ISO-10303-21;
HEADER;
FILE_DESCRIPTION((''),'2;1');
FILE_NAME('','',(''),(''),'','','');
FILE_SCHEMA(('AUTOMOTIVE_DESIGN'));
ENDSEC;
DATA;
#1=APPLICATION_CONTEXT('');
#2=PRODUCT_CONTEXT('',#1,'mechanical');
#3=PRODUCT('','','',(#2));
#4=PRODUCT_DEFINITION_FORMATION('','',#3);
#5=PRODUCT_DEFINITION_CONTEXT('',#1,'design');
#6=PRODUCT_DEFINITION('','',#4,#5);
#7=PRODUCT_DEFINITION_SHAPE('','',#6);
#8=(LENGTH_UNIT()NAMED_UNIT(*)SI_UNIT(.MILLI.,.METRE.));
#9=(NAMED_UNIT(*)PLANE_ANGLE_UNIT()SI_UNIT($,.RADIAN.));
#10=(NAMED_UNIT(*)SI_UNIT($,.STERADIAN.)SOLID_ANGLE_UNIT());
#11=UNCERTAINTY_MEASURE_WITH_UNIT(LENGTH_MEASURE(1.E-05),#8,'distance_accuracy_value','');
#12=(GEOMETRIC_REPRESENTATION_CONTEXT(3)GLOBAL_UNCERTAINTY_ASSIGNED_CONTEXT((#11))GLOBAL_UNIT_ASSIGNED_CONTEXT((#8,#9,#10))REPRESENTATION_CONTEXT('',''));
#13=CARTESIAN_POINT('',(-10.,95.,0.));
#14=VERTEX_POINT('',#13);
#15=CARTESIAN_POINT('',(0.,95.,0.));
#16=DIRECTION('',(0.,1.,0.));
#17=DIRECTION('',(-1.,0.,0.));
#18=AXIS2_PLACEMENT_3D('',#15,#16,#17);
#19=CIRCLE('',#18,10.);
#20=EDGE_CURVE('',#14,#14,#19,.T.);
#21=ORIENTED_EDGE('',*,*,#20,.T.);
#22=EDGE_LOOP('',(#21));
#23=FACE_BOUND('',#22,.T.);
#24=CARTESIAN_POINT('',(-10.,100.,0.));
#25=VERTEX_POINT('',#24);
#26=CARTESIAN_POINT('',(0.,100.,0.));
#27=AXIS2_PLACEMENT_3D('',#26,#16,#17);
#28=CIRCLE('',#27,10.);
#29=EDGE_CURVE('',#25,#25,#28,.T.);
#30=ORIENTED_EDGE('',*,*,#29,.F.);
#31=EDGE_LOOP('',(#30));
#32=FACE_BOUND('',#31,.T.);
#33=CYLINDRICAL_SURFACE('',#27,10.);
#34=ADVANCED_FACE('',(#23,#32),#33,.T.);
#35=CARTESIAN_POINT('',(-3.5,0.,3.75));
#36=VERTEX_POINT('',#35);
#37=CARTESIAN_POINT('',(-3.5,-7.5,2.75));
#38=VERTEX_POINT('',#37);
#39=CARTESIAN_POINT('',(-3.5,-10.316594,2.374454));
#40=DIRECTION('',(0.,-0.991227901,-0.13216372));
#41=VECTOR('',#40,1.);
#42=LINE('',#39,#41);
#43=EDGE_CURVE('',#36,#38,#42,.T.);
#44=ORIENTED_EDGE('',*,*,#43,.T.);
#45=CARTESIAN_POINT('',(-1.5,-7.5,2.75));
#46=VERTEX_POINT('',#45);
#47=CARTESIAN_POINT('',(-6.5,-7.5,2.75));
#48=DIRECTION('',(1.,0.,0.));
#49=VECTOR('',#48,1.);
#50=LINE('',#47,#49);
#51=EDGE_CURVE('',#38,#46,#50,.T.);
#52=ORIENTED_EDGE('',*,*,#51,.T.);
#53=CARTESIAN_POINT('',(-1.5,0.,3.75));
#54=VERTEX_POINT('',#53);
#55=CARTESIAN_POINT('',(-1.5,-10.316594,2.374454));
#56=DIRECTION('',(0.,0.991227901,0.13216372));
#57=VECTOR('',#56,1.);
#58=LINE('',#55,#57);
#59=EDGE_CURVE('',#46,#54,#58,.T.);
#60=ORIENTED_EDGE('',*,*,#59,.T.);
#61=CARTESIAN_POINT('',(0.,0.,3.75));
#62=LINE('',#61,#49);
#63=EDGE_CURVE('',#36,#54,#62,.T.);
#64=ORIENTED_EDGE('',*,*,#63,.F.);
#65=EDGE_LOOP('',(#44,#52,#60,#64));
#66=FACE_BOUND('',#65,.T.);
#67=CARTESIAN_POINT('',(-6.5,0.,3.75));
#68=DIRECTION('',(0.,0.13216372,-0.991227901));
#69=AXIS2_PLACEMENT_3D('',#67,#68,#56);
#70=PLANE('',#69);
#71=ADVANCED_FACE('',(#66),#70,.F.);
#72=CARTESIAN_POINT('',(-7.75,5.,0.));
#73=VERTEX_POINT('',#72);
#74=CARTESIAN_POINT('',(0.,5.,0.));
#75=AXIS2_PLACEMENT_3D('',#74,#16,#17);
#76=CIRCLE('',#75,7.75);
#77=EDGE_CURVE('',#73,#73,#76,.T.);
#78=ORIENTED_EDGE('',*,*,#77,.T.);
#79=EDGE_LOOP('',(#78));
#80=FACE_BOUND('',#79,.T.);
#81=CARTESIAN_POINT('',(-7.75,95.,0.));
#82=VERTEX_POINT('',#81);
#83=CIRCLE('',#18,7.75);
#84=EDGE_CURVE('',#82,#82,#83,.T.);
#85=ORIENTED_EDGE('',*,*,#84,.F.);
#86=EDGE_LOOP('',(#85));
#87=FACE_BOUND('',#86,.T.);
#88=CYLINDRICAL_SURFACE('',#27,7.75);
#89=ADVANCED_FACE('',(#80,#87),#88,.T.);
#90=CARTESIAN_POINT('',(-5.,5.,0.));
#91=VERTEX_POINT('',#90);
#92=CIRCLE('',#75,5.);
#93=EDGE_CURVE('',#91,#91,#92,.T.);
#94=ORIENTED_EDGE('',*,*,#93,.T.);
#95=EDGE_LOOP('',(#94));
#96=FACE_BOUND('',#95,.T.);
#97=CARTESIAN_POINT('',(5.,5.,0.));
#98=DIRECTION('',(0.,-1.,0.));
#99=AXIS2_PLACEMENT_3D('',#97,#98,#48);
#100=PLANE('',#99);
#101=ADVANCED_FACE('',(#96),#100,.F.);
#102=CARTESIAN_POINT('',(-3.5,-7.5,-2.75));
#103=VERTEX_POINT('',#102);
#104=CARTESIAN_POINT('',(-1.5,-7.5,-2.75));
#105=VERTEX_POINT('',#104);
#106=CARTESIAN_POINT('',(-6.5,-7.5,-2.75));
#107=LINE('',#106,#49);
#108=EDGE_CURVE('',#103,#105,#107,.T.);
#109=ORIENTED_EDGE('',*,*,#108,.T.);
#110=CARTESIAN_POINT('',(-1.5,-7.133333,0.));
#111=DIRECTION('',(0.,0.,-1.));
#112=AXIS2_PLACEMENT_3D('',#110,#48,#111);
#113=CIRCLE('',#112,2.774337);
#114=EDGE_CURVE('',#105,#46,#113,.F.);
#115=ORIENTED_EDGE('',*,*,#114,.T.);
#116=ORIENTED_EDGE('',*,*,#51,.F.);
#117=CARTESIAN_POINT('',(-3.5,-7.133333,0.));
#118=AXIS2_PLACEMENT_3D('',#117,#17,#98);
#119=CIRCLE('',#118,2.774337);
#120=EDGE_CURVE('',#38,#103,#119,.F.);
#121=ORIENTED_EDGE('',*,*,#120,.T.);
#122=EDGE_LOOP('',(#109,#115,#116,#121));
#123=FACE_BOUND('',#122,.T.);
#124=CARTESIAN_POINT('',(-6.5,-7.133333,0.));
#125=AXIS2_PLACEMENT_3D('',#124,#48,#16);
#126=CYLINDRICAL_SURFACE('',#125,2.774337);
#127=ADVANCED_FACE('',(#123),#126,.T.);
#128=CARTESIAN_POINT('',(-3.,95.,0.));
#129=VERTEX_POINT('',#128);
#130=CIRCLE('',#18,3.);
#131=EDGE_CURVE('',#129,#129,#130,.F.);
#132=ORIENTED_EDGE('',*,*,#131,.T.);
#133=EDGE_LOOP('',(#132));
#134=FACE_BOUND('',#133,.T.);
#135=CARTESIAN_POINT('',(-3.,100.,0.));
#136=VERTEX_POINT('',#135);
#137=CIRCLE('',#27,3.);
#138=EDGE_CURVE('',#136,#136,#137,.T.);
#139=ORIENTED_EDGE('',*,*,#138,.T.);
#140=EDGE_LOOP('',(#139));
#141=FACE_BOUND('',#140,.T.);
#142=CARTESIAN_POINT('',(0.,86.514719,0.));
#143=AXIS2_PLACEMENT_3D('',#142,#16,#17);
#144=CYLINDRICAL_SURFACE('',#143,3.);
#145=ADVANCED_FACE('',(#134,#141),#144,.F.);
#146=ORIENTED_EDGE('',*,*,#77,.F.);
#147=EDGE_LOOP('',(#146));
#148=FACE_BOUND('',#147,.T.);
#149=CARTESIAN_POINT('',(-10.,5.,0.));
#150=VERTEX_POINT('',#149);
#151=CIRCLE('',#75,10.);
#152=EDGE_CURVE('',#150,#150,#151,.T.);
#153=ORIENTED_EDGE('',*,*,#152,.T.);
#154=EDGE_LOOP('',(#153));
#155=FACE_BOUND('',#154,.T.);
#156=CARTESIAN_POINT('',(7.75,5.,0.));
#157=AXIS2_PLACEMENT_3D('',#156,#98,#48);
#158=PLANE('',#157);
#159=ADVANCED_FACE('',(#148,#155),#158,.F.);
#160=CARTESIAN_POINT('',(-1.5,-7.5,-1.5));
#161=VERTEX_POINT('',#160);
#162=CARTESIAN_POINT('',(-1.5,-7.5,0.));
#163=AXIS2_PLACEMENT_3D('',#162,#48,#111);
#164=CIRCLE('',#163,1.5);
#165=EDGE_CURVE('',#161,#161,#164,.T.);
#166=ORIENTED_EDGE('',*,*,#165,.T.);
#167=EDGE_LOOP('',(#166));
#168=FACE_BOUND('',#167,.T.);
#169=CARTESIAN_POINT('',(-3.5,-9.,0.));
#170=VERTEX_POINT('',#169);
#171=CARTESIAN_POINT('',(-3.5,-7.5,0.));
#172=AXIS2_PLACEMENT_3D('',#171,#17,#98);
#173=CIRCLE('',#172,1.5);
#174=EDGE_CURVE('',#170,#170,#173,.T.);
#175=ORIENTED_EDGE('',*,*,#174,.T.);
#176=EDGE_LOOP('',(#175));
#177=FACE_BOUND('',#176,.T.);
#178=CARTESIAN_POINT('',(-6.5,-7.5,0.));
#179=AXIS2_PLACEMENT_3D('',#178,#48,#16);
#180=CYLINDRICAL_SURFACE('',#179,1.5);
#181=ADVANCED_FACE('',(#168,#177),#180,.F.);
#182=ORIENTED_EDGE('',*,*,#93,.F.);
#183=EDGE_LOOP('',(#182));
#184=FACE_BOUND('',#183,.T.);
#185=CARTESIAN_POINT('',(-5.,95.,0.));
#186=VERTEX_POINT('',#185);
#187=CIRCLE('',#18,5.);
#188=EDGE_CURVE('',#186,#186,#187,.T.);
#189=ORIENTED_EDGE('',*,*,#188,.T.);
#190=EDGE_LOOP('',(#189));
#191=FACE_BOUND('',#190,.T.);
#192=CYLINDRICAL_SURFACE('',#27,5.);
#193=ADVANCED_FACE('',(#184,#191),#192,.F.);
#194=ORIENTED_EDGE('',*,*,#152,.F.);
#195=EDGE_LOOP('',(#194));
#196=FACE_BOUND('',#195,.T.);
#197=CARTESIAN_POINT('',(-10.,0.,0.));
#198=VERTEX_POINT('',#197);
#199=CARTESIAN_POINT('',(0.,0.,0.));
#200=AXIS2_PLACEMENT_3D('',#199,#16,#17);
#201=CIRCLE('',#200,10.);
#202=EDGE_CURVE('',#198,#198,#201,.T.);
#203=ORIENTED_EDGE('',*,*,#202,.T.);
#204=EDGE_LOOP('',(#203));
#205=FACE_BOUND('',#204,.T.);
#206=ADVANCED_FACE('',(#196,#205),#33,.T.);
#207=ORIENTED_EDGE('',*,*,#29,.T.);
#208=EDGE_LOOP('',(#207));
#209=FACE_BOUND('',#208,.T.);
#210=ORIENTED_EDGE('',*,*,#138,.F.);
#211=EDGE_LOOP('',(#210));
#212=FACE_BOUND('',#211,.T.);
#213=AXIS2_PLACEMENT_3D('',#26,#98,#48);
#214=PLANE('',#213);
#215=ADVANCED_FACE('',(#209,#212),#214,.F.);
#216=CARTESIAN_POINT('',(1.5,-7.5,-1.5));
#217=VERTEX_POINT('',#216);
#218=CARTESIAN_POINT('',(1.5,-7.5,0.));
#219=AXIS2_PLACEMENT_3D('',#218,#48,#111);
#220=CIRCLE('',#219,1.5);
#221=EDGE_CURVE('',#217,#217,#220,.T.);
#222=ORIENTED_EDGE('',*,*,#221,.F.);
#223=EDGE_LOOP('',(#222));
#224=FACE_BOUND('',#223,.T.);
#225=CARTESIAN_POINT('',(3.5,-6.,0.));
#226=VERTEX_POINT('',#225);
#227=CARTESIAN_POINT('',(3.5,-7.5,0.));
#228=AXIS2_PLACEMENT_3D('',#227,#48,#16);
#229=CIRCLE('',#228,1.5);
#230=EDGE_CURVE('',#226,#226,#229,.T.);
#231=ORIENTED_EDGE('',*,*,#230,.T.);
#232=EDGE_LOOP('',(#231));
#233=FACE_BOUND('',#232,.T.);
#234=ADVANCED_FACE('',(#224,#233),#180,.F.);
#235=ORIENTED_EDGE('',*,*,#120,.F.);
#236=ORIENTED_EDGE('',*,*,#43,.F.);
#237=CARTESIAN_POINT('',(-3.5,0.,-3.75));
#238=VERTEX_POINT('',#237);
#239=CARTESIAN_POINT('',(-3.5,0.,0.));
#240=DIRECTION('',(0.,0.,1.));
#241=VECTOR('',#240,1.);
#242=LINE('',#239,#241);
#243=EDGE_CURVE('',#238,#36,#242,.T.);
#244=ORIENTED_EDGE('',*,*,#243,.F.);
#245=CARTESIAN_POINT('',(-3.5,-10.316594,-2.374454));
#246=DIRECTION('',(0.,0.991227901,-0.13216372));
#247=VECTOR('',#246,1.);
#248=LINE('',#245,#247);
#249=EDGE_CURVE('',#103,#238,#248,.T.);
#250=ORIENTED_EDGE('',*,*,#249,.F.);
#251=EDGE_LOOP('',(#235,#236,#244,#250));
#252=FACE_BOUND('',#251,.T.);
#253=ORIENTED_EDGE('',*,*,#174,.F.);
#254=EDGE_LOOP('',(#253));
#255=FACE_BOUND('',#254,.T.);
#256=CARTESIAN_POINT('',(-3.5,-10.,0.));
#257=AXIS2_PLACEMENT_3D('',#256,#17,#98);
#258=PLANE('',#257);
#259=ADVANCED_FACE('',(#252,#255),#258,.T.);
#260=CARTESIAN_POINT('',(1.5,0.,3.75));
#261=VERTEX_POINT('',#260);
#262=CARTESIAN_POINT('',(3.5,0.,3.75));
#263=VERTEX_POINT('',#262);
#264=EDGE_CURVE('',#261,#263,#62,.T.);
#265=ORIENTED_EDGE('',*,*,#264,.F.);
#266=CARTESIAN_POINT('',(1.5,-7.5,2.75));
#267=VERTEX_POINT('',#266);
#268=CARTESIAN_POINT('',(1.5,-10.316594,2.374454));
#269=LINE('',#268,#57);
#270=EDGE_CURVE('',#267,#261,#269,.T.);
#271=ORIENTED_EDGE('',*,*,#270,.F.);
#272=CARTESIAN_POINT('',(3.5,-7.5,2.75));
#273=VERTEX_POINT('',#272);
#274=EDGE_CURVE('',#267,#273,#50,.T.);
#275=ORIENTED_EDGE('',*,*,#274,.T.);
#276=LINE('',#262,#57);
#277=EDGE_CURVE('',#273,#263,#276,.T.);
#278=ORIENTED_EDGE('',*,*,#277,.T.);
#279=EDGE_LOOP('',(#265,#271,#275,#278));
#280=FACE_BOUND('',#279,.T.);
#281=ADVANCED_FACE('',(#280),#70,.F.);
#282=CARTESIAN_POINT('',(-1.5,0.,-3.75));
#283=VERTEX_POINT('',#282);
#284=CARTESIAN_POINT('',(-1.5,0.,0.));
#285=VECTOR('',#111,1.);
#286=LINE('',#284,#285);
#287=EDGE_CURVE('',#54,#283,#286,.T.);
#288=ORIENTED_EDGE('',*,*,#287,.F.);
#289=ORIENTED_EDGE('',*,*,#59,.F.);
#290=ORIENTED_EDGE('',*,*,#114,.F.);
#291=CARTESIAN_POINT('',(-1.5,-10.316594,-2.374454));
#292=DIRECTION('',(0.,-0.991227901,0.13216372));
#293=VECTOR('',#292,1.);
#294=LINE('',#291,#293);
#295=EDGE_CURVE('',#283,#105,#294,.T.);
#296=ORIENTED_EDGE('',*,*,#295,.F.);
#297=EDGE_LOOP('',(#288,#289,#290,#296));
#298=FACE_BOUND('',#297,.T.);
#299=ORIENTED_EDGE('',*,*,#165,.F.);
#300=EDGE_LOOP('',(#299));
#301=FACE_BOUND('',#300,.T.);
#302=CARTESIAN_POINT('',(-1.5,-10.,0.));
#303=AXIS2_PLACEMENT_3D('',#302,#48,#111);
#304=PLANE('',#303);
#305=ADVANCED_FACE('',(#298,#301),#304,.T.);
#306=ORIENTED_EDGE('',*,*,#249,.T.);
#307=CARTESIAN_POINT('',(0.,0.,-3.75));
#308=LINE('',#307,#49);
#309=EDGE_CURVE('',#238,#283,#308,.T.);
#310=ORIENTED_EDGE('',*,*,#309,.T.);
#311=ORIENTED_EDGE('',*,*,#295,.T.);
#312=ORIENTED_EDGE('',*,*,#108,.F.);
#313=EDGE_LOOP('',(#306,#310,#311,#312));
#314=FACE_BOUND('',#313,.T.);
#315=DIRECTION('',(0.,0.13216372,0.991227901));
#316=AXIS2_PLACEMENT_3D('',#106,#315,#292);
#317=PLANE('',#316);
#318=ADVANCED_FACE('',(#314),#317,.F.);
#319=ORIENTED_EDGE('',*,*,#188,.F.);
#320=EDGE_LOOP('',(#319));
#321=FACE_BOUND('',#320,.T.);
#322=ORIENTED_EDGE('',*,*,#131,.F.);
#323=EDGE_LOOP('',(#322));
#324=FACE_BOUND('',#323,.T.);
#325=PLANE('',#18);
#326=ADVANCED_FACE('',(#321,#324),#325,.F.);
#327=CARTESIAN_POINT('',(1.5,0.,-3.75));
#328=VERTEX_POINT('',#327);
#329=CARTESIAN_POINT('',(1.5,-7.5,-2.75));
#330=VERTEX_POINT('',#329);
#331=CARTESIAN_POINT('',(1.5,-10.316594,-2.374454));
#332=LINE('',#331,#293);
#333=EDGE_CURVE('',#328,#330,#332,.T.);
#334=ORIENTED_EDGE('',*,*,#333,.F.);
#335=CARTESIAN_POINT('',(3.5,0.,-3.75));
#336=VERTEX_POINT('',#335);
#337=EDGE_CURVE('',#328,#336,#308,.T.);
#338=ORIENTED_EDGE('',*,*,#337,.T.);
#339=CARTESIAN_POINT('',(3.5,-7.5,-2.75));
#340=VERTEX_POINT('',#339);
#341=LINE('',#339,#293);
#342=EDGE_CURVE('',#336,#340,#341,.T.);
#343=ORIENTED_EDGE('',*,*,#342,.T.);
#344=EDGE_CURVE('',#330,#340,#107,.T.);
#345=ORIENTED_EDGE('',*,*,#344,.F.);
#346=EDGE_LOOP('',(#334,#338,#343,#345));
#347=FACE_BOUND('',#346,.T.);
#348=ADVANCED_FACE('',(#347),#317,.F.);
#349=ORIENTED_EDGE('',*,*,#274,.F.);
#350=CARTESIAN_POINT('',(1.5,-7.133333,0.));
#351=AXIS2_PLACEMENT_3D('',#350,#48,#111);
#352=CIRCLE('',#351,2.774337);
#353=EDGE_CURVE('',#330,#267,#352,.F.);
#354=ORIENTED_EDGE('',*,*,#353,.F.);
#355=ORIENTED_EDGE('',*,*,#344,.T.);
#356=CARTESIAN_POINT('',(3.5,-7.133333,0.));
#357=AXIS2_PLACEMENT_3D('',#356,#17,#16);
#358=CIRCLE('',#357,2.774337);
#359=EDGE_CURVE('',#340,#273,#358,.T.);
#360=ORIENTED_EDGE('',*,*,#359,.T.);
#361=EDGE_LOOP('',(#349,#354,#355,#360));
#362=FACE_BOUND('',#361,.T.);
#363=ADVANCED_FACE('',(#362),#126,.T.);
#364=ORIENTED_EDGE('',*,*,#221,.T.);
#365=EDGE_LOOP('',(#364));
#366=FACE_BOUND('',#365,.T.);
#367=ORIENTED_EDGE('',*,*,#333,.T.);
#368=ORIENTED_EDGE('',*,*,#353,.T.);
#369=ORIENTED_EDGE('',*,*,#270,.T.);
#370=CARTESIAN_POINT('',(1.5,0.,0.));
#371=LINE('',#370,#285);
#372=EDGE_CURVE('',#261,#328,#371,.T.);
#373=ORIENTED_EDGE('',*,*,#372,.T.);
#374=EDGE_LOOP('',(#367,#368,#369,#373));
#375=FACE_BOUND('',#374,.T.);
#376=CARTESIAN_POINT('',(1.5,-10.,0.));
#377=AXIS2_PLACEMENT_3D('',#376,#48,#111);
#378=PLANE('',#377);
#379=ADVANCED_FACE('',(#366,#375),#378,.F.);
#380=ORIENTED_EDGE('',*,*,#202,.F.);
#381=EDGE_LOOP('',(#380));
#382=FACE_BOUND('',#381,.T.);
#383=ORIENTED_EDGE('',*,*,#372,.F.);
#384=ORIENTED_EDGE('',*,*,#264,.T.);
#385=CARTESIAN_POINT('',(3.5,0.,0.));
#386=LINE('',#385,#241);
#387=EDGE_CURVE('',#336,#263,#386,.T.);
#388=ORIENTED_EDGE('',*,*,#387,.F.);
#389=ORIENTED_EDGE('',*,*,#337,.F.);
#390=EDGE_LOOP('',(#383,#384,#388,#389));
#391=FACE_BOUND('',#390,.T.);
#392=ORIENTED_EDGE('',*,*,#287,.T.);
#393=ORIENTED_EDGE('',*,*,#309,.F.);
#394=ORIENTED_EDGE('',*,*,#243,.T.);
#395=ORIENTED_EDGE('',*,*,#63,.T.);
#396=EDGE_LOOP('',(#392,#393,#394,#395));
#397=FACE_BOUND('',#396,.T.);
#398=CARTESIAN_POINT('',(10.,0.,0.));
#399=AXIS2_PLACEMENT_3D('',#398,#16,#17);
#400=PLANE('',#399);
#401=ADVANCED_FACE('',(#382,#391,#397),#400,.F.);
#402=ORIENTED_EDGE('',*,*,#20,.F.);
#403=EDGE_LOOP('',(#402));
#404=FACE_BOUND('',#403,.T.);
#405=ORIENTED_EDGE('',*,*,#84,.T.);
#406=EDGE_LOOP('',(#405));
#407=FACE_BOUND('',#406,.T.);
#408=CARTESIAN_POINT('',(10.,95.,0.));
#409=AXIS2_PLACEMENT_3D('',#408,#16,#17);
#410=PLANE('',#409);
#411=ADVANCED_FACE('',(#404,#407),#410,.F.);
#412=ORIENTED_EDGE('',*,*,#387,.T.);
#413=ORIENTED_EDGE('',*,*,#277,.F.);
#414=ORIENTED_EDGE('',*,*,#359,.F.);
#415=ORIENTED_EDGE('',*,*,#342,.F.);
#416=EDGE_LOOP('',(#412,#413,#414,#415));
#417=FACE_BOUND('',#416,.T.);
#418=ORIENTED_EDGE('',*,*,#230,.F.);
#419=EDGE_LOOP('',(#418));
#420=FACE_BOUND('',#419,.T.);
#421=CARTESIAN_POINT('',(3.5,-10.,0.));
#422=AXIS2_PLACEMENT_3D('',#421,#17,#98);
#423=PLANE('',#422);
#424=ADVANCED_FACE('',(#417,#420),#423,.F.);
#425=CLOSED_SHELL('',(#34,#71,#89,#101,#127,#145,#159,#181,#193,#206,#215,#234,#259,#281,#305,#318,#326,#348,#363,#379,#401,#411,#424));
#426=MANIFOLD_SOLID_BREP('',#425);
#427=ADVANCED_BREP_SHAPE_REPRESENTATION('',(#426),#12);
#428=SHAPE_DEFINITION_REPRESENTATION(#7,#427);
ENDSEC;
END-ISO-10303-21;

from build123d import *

# Parameters (mm, degrees)
SKETCH3_R           = 3
CUT_EXTRUDE1_DEPTH  = 5
SKETCH4_W           = 2
SKETCH4_H           = 7.5
BOSS_EXTRUDE2_DEPTH = 10
SKETCH6_R           = 1.5
CUT_EXTRUDE2_DEPTH  = 10


with BuildPart() as part:
    # Sketch1 → Revolve2 (revolve)
    with BuildSketch(Plane.XY, mode=Mode.PRIVATE) as revolve2_sk:
        Polygon((0, 100), (10, 100), (10, 95), (7.75, 95), (7.75, 5), (10, 5), (10, 0), (0, 0), (0, 5), (5, 5), (5, 95), (0, 95), align=None)
    revolve(revolve2_sk.sketch.rotate(Axis((0, 100, 0), (0, -1, 0)), 180), axis=Axis((0, 100, 0), (0, -1, 0)))

    # Sketch3 → Cut-Extrude1 (cut)
    with BuildSketch(Plane(origin=(0, 100, 0), x_dir=(1, 0, 0), z_dir=(0, 1, 0))):
        with Locations(Location((0, 0, 0), (0, 0, 180))):
            Circle(SKETCH3_R)
    extrude(amount=-CUT_EXTRUDE1_DEPTH, mode=Mode.SUBTRACT)

    # Sketch4 → Boss-Extrude2 (add)
    with BuildSketch(Plane.XZ):
        with Locations((-2.5, 0)):
            Rectangle(SKETCH4_W, SKETCH4_H)
        with Locations((2.5, 0)):
            Rectangle(SKETCH4_W, SKETCH4_H)
    extrude(amount=BOSS_EXTRUDE2_DEPTH)

    # Sketch6 → Cut-Extrude2 (cut)
    with BuildSketch(Plane(origin=(3.5, 0, 0), x_dir=(0, 0, -1), z_dir=(1, 0, 0))):
        with Locations(Location((0, -7.5, 0), (0, 0, 90))):
            Circle(SKETCH6_R)
        with BuildLine():
            Line((-3.75, 0), (-2.75, -7.5))
            ThreePointArc((-2.75, -7.5), (0, -9.907670091), (2.75, -7.5))
            Line((2.75, -7.5), (3.75, 0))
            Line((3.75, 0), (3.75, -10))
            Line((3.75, -10), (-3.75, -10))
            Line((-3.75, -10), (-3.75, 0))
        make_face()
    extrude(amount=-CUT_EXTRUDE2_DEPTH, mode=Mode.SUBTRACT)


solid = part.part
